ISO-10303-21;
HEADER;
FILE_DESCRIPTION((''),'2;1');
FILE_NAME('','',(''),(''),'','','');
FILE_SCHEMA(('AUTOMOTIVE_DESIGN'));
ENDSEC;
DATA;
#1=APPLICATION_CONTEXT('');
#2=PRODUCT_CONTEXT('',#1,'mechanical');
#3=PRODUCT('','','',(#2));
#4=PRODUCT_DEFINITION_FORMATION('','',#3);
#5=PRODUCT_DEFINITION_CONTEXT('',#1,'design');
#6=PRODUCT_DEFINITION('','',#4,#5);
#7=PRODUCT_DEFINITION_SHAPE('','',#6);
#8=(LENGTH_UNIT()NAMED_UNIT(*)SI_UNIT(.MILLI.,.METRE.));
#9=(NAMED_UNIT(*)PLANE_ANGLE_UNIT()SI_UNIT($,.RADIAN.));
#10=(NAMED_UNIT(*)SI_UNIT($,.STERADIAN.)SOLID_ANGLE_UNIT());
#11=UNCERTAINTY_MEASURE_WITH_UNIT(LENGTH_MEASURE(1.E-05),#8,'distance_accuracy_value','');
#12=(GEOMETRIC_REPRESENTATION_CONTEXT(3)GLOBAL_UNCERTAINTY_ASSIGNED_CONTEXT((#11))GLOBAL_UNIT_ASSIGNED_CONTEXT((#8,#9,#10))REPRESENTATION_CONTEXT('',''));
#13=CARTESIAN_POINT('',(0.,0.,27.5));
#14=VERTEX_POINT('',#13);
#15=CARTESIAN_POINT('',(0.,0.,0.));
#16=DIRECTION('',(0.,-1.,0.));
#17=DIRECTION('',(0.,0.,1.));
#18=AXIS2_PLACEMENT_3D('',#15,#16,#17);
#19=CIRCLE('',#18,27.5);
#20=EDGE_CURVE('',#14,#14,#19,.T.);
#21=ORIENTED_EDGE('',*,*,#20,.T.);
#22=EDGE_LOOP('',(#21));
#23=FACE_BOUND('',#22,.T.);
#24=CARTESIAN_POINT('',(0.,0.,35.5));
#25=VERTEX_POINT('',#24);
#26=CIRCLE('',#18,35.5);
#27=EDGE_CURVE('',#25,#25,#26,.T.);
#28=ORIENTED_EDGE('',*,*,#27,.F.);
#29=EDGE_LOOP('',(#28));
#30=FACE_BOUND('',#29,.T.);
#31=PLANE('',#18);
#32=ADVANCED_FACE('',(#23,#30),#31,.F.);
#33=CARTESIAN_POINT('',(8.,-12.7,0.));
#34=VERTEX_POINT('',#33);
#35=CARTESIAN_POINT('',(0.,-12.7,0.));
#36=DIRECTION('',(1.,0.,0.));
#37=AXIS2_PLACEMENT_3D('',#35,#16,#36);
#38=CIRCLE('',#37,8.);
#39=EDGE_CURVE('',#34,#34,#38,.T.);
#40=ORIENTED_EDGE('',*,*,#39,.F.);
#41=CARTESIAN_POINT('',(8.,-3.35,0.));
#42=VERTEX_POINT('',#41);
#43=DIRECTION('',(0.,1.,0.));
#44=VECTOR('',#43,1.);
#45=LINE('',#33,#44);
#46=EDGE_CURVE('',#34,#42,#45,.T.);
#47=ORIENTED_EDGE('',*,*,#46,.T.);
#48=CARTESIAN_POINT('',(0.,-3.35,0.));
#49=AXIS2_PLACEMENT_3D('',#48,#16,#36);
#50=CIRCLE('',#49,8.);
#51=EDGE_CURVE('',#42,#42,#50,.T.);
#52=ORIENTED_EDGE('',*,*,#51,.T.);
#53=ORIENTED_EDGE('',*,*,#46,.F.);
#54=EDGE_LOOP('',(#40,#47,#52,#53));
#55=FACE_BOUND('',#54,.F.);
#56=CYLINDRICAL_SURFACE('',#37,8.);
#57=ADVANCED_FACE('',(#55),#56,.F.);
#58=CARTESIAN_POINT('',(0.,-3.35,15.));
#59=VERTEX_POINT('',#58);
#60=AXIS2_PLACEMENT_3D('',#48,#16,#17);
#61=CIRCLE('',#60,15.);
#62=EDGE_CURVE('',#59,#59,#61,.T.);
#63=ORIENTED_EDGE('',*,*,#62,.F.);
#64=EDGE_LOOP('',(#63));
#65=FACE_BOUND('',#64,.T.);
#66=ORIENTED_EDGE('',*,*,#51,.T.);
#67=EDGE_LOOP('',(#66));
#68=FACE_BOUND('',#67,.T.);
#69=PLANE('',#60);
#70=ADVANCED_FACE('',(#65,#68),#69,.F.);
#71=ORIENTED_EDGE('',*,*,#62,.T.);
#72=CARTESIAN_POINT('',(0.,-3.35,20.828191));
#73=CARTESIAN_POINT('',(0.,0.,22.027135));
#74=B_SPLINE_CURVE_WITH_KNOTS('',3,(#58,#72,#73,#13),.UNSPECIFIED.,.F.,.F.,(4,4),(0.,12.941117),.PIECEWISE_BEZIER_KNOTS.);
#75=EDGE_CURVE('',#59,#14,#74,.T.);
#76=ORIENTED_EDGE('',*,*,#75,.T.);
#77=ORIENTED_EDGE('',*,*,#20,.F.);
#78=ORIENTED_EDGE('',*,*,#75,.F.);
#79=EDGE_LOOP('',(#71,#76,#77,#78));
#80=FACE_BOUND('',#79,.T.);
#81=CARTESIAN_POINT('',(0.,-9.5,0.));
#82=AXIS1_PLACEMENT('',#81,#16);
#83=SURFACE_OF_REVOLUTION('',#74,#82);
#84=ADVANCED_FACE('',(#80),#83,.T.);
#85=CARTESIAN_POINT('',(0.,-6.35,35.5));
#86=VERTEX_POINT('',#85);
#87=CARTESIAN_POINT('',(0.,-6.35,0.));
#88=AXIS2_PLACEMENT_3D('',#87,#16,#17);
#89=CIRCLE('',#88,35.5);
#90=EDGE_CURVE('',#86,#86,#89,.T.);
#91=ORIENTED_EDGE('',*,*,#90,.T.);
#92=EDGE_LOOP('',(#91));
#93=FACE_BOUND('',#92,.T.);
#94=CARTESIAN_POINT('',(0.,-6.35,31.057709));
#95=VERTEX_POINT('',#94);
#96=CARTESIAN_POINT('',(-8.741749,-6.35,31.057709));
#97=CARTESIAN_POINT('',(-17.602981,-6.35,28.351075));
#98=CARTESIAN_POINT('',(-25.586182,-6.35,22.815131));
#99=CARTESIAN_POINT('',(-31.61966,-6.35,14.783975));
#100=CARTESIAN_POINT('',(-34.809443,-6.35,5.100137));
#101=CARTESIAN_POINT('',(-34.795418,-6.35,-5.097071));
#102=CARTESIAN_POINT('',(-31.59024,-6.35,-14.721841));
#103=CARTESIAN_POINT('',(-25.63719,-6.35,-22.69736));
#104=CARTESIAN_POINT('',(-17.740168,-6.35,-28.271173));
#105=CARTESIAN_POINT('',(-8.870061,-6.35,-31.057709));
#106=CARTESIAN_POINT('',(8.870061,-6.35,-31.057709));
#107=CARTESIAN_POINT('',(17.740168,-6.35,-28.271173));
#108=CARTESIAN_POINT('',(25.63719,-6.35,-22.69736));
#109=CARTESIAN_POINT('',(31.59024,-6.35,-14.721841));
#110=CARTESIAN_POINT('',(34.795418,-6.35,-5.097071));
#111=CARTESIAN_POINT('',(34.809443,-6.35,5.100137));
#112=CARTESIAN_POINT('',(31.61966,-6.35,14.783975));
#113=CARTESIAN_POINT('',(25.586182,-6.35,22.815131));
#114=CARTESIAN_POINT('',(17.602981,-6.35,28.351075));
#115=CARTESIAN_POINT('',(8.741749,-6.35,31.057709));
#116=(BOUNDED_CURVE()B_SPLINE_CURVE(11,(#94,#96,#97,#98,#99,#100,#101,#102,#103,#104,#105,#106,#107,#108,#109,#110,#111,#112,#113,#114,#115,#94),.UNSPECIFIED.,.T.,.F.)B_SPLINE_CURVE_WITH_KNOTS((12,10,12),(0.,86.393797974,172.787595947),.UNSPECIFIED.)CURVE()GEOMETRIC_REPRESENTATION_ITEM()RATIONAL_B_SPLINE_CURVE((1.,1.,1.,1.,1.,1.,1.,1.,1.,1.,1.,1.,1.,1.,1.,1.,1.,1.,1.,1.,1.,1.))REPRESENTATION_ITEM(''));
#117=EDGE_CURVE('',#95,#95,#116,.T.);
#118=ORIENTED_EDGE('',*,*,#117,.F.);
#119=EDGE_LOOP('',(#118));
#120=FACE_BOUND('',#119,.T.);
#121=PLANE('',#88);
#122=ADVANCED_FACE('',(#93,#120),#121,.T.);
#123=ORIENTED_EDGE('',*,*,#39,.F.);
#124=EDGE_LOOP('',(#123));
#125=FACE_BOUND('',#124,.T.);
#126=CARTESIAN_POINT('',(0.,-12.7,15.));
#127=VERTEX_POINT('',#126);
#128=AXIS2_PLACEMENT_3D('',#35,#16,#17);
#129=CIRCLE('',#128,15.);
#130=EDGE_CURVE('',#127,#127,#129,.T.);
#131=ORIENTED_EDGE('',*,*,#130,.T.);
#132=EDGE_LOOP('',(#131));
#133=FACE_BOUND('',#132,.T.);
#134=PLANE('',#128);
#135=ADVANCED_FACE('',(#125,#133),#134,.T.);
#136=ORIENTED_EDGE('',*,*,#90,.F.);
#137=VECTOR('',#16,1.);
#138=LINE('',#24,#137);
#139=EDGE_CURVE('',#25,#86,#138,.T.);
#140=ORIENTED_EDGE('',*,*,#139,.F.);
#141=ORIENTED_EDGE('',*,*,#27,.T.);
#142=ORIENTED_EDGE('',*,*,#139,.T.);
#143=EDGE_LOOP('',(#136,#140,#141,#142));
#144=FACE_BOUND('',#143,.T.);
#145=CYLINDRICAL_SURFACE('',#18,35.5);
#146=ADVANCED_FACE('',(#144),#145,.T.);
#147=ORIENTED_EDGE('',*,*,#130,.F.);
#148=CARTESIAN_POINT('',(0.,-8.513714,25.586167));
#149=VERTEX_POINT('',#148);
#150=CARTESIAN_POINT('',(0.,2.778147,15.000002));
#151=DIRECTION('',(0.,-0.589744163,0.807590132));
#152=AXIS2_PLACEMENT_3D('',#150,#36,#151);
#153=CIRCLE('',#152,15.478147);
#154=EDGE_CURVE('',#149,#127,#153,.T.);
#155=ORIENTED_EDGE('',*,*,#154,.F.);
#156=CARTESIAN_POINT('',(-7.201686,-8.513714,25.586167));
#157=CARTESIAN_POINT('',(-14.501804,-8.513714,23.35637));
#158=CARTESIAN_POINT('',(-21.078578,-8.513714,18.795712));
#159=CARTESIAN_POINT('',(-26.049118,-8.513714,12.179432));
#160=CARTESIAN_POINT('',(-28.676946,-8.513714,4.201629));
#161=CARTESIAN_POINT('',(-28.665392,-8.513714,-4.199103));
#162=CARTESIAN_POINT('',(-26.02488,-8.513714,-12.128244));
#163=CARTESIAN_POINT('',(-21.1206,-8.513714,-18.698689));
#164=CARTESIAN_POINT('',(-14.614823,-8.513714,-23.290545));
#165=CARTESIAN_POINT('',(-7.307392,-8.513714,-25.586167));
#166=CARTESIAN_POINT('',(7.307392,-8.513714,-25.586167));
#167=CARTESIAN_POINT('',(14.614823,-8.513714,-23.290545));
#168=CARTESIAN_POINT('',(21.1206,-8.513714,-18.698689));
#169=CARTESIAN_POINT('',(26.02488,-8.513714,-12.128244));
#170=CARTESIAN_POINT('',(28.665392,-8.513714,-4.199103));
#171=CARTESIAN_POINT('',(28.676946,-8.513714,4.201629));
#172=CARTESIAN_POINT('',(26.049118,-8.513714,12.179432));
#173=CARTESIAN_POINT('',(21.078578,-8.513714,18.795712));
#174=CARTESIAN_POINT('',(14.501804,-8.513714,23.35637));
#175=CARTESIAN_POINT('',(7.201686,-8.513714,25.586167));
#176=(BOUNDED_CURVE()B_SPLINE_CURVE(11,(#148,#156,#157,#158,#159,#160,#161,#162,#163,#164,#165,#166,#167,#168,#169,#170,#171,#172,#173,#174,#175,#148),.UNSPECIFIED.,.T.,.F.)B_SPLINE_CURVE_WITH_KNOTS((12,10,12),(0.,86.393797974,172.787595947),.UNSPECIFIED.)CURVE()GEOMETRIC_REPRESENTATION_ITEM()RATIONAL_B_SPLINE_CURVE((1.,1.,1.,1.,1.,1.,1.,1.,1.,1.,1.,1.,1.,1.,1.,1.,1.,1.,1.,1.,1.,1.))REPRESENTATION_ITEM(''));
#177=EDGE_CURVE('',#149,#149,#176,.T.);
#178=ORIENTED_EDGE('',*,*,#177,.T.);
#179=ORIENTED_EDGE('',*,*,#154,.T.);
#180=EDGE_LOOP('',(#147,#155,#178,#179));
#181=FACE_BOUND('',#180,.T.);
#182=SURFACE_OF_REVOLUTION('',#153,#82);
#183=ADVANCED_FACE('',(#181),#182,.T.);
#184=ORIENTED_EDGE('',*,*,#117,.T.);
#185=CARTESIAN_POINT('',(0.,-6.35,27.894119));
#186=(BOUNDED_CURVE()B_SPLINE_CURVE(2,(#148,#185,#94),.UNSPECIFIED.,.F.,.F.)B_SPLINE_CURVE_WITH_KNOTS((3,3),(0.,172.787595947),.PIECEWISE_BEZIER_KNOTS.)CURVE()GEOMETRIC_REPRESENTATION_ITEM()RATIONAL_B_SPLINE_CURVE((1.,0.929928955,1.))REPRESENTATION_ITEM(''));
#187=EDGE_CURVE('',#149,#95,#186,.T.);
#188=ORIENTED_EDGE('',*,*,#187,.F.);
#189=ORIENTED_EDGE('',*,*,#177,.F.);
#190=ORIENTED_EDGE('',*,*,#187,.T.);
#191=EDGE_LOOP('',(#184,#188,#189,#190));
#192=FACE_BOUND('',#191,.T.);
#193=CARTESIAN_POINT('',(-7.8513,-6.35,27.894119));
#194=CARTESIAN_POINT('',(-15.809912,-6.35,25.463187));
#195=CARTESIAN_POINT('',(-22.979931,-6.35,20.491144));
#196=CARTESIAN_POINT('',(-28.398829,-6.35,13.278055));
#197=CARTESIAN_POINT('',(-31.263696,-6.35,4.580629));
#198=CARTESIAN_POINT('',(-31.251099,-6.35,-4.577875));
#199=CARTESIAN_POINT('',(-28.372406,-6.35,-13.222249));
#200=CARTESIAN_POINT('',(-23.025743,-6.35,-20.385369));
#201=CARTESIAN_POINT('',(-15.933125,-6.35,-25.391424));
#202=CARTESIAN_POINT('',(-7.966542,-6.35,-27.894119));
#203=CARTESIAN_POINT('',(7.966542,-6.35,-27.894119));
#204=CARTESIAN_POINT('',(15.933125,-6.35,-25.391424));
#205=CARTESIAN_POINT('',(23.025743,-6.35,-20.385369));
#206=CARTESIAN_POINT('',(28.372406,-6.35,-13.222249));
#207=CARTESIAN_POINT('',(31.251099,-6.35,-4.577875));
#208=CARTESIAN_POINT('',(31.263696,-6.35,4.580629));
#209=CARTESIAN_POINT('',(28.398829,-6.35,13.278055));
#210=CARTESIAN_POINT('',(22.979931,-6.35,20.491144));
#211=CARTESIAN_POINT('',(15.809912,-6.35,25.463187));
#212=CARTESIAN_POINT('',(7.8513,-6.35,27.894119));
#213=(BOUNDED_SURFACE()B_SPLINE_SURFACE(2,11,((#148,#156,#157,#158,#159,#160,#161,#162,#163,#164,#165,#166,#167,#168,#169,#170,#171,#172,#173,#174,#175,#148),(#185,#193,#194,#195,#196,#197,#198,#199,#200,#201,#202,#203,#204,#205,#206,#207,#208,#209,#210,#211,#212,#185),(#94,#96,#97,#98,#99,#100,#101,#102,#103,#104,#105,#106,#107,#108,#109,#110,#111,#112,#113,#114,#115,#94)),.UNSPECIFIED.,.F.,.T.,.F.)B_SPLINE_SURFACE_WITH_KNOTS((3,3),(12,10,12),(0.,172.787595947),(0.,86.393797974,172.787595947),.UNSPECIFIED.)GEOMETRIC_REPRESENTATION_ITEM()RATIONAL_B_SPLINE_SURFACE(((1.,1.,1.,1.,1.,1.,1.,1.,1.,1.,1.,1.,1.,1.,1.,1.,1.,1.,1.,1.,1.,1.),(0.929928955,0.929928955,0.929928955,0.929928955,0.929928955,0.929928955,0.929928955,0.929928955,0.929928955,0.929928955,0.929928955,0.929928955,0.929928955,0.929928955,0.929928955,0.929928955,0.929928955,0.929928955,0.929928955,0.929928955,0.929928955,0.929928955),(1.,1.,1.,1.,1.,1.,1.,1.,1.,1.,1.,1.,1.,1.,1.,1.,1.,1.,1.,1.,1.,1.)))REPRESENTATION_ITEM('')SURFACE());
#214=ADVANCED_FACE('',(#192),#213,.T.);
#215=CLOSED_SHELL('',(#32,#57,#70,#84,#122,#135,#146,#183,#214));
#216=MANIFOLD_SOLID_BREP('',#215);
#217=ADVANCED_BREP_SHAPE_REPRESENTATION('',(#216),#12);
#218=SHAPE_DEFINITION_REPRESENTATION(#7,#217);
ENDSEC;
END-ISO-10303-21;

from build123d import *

# Parameters (mm, degrees)
F2_R     = 8
F3_DEPTH = 12.701
F4_R     = 8


with BuildPart() as f1:
    # F0 (on Right) → F1 (revolve)
    with BuildSketch(Plane.YZ):
        with BuildLine():
            Line((-12.7, 15), (-12.7, 0))
            Line((-12.7, 0), (-3.35, 0))
            Line((-3.35, 0), (-3.35, 15))
            add(Edge.make_bspline(
                [(-3.35, 15), (-3.35, 20.828191), (0, 22.027135), (0, 27.5)],
                knots=[0, 0, 0, 0, 12.941117, 12.941117, 12.941117, 12.941117], degree=3))
            Line((0, 27.5), (0, 35.5))
            Line((0, 35.5), (-6.35, 35.5))
            Line((-6.35, 35.5), (-6.35, 27.5))
            ThreePointArc((-6.35, 27.5), (-11.021488, 22.010216), (-12.7, 15))
        make_face()
    revolve(axis=Axis((0, -9.5, 0), (0, -1, 0)))

    # F2 (on face) → F3 (cut, through all)
    with BuildSketch(Plane.XZ.offset(12.7)):
        Circle(F2_R)
    extrude(amount=-F3_DEPTH, mode=Mode.SUBTRACT)

    # F4
    f4_edges = [f1.edges().sort_by_distance(p)[0] for p in [
        (0, -6.35, -27.5),
    ]]
    fillet(f4_edges, radius=F4_R)


solid = f1.part
